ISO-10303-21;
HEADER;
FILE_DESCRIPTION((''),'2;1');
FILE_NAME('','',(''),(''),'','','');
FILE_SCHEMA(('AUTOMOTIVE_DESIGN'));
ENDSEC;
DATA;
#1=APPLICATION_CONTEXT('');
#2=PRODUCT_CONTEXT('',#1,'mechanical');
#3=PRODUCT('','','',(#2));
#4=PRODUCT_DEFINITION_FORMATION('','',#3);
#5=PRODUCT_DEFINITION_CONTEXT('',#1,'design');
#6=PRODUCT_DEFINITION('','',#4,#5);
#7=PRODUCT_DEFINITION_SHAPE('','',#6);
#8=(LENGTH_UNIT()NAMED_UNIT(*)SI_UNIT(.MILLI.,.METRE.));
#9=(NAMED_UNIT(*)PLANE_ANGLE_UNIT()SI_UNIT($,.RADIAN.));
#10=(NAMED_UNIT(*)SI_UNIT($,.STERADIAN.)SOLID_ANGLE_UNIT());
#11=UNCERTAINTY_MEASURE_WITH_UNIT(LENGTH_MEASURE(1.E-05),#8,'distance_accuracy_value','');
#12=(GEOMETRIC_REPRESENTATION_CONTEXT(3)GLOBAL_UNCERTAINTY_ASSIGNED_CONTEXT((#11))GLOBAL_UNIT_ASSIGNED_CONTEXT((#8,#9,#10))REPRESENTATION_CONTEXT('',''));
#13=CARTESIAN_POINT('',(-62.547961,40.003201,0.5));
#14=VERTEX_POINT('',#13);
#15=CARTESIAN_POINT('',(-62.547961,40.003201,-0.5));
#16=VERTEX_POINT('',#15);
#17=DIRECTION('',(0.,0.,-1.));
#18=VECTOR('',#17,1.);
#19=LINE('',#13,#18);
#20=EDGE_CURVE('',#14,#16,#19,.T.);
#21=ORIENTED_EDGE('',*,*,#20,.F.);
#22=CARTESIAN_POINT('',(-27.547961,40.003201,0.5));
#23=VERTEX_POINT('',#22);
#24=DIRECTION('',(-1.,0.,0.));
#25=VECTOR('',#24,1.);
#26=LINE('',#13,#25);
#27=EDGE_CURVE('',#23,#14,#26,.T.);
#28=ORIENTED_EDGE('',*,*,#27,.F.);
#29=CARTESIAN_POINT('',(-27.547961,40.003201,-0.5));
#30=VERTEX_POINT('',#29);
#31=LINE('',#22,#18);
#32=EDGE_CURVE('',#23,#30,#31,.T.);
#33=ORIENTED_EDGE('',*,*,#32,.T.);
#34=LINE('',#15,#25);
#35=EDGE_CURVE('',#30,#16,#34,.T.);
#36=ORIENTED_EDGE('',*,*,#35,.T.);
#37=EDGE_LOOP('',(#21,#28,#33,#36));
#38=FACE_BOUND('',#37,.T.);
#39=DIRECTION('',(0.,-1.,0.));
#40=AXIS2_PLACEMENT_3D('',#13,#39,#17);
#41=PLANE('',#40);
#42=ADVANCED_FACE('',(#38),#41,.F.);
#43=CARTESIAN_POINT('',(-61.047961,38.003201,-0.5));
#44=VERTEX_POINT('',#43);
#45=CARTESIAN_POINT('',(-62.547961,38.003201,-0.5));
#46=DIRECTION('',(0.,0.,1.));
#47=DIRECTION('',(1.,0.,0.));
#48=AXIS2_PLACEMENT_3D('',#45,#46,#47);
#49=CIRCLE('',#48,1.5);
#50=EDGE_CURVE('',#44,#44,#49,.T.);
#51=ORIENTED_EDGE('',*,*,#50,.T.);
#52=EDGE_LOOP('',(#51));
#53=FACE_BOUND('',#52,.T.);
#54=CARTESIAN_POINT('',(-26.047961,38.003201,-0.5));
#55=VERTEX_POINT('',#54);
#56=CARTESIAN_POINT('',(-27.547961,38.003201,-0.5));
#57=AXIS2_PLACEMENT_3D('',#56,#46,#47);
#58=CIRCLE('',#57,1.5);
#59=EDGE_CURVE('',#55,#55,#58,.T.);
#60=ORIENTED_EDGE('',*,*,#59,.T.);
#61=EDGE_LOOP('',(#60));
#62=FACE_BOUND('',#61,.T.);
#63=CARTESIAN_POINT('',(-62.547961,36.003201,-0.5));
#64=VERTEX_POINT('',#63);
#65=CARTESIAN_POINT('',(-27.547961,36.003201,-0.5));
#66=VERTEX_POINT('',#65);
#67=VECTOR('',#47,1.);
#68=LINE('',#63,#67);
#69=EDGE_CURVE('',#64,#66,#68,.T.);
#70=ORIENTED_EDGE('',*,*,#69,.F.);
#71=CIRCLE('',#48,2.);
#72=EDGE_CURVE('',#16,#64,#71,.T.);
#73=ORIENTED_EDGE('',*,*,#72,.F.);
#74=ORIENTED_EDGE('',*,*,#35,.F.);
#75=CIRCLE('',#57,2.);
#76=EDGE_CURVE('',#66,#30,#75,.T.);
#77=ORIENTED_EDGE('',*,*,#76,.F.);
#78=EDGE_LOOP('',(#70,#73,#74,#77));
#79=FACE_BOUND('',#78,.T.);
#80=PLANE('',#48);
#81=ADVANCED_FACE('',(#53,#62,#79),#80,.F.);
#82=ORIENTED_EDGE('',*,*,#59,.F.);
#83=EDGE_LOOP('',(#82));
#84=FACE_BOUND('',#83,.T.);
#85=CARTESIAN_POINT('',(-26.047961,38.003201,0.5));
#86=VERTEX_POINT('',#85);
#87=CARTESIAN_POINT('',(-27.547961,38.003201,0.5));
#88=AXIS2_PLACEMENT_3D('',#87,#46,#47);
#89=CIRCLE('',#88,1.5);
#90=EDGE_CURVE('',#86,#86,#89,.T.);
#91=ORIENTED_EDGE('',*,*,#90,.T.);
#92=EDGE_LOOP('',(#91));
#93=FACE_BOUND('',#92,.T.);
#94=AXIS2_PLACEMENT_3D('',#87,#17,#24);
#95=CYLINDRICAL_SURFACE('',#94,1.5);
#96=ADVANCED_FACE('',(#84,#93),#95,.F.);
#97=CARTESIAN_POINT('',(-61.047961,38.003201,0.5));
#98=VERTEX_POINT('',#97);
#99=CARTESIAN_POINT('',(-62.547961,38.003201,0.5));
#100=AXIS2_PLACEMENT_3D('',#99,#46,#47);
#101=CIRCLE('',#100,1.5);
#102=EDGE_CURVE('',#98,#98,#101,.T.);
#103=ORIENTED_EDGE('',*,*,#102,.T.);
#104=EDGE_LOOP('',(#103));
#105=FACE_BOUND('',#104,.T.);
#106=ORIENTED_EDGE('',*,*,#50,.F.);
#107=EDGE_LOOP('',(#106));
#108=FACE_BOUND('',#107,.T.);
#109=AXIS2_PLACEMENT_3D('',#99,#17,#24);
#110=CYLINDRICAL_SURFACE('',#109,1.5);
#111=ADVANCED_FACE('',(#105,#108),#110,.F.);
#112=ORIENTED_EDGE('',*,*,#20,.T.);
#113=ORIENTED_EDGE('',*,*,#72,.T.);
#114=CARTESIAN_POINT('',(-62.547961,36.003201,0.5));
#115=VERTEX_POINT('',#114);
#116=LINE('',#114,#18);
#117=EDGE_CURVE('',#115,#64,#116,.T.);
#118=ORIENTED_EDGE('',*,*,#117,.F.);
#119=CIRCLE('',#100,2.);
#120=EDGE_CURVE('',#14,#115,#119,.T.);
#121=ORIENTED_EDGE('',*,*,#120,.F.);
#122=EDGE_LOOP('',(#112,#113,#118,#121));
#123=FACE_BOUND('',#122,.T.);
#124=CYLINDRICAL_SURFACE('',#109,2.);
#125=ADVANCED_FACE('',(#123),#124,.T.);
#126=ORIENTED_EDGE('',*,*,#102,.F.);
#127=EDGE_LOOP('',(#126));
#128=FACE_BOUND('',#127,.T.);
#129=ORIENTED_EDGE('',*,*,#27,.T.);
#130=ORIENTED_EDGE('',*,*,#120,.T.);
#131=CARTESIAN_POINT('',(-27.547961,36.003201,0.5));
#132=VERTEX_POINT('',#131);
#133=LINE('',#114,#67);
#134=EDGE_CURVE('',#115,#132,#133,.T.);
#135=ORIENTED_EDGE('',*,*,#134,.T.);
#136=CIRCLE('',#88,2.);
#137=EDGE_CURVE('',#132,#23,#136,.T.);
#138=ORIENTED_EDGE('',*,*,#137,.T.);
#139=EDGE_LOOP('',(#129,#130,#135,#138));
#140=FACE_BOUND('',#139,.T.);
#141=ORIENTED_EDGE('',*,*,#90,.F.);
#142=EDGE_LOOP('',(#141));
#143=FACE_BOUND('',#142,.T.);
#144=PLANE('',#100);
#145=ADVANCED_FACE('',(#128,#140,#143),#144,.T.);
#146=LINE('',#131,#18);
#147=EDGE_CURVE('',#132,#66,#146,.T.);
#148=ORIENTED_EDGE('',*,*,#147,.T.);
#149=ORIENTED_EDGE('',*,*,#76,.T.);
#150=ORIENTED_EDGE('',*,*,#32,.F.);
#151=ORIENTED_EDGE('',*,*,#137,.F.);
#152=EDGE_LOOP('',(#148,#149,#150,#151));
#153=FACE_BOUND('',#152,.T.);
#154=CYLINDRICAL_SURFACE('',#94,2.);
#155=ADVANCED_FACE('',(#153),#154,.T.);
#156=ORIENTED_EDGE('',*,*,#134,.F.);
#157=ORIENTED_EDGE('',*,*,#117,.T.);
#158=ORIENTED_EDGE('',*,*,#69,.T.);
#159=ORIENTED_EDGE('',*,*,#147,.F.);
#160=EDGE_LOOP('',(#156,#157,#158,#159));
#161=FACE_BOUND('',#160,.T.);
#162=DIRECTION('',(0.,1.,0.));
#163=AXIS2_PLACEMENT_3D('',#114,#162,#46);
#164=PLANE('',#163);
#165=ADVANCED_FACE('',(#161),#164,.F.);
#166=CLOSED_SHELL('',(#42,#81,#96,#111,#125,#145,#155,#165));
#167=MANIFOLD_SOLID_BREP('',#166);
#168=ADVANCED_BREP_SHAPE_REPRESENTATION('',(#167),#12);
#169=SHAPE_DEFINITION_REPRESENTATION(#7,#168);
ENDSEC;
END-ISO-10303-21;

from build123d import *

# Parameters (mm, degrees)
SKETCH1_R           = 1.5
BOSS_EXTRUDE2_DEPTH = 0.5


with BuildPart() as part:
    # Sketch1 → Boss-Extrude2 (new, symmetric)
    with BuildSketch(Plane.XY):
        with BuildLine():
            Line((-62.547960717, 40.00320125), (-27.547960717, 40.00320125))
            ThreePointArc((-27.547960717, 40.00320125), (-25.547960717, 38.00320125), (-27.547960717, 36.00320125))
            Line((-27.547960717, 36.00320125), (-62.547960717, 36.00320125))
            ThreePointArc((-62.547960717, 36.00320125), (-64.547960717, 38.00320125), (-62.547960717, 40.00320125))
        make_face()
        with Locations((-62.547960717, 38.00320125)):
            Circle(SKETCH1_R, mode=Mode.SUBTRACT)
        with Locations((-27.547960717, 38.00320125)):
            Circle(SKETCH1_R, mode=Mode.SUBTRACT)
    extrude(amount=BOSS_EXTRUDE2_DEPTH, both=True)


solid = part.part
